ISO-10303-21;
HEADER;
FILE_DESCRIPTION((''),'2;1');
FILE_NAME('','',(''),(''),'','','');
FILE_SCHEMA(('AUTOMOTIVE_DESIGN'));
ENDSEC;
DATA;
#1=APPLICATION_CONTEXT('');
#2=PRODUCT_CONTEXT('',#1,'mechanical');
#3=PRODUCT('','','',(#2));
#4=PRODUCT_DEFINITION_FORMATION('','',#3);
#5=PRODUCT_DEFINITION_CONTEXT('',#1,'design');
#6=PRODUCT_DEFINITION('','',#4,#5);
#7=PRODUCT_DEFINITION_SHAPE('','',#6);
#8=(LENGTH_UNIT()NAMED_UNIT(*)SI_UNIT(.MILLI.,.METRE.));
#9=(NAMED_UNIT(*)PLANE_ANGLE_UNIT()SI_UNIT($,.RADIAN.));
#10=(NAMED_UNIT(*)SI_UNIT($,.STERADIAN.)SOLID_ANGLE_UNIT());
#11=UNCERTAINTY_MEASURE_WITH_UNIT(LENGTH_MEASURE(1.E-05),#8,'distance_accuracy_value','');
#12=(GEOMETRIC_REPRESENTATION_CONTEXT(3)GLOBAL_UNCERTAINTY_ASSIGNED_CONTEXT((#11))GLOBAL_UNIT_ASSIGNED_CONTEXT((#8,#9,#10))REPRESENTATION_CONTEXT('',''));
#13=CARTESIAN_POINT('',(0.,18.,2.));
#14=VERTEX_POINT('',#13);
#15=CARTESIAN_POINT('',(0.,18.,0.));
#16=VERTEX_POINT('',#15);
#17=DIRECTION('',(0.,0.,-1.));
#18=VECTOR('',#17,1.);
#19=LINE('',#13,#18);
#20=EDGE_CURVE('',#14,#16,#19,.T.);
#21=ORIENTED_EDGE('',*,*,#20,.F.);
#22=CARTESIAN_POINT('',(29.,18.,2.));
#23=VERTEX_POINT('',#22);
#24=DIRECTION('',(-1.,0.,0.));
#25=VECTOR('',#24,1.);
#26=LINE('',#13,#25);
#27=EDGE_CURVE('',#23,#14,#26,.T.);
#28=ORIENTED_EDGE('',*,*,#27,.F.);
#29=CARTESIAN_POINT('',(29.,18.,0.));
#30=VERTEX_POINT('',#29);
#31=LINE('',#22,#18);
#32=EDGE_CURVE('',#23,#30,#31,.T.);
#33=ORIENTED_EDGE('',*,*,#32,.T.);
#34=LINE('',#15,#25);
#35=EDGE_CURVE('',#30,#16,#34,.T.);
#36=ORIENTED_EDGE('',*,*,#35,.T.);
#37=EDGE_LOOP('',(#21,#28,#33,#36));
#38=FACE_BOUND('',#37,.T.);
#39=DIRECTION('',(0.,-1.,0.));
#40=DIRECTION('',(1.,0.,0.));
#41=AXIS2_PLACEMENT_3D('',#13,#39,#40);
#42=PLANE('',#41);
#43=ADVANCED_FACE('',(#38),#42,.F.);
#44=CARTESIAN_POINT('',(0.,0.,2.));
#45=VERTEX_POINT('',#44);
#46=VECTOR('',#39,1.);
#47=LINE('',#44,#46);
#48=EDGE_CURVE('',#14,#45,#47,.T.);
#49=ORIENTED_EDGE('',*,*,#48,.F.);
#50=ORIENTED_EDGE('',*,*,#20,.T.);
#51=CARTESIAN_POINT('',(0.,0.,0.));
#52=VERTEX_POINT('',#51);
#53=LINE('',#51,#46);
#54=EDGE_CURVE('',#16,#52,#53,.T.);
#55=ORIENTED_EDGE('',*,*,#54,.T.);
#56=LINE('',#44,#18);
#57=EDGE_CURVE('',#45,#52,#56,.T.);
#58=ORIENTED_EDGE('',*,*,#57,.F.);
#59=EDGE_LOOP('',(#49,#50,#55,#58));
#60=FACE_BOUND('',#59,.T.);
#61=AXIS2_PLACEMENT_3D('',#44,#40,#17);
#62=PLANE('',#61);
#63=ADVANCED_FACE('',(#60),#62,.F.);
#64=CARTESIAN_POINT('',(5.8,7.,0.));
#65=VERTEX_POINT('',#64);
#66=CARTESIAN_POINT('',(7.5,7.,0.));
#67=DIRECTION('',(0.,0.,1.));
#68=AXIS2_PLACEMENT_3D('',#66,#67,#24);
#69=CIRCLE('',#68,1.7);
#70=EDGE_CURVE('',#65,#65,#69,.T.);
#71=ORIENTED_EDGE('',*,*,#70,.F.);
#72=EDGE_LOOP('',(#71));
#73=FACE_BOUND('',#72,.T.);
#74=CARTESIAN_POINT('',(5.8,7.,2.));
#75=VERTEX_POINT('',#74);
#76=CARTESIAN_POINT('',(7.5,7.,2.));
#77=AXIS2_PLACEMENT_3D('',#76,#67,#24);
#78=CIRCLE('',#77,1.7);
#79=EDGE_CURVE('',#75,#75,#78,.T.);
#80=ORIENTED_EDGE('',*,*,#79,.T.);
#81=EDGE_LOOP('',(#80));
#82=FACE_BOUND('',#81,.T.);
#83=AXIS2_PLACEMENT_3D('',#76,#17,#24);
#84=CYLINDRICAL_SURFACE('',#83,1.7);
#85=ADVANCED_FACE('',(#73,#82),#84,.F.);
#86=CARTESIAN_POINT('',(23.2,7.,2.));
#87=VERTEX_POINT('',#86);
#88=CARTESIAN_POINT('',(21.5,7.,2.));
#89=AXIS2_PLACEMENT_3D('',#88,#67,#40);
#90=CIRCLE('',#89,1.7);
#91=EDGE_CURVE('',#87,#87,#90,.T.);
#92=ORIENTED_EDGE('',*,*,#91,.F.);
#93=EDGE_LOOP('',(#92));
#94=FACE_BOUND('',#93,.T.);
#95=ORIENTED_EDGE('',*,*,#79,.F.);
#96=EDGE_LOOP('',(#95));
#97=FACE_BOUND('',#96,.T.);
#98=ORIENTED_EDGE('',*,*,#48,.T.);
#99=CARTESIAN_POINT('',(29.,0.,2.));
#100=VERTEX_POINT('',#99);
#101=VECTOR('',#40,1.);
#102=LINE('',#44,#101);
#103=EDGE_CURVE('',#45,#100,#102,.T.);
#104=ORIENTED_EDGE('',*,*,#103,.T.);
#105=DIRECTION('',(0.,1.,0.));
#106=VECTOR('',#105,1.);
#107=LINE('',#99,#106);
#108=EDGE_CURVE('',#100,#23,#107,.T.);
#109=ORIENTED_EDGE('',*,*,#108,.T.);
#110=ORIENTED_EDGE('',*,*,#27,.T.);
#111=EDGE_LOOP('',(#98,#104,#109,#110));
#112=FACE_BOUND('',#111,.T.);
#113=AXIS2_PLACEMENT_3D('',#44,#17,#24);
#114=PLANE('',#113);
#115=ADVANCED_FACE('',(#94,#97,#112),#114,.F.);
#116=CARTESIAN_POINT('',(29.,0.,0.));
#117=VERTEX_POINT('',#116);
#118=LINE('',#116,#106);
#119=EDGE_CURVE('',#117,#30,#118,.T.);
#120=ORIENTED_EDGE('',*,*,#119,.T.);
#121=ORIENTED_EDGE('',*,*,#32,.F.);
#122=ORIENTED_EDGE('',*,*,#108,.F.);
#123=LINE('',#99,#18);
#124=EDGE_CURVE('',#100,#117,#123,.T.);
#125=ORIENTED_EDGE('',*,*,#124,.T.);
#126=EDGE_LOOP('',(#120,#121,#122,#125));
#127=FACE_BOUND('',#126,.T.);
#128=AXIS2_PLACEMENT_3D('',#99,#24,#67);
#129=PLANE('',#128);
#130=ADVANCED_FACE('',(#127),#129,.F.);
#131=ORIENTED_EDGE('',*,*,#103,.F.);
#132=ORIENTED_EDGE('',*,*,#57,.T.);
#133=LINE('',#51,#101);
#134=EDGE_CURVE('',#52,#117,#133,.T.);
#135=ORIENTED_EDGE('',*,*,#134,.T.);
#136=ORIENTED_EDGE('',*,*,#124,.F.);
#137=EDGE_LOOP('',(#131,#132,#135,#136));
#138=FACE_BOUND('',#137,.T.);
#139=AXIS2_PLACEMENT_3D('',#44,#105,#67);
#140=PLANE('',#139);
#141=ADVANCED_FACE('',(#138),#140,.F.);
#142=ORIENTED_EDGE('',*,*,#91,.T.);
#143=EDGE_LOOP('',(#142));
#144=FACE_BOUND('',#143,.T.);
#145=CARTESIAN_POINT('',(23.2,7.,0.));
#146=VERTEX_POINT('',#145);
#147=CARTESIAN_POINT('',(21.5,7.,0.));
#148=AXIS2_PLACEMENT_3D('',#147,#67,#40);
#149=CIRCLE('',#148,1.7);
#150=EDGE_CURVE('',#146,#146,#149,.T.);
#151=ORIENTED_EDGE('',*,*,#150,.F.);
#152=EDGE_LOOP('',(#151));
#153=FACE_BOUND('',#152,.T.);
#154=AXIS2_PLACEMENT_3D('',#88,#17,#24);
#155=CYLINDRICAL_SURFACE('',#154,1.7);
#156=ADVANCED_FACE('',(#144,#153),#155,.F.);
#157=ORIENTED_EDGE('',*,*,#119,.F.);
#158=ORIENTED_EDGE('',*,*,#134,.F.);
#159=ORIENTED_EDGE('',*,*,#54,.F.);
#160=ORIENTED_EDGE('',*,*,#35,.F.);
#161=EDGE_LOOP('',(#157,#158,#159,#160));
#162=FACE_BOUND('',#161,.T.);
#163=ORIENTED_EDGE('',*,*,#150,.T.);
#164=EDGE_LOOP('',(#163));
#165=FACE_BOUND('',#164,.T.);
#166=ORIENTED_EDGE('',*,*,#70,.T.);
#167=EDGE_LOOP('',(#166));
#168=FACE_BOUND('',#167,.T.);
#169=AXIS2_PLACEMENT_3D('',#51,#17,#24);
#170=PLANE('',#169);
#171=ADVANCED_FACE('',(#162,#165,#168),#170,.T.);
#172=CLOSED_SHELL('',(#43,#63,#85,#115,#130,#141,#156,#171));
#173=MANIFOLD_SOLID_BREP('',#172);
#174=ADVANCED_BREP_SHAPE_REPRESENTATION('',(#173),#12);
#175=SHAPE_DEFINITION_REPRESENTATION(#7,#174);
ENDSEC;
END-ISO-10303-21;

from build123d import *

# Parameters (mm, degrees)
SKETCH_1_W      = 29
SKETCH_1_H      = 18
SKETCH_1_R      = 1.7
EXTRUDE_1_DEPTH = 2


with BuildPart() as part:
    # 草图1 → 凸台-拉伸1 (new body)
    with BuildSketch(Plane.XY):
        with Locations((14.5, 9)):
            Rectangle(SKETCH_1_W, SKETCH_1_H)
        with Locations((21.5, 7)):
            Circle(SKETCH_1_R, mode=Mode.SUBTRACT)
        with Locations(Location((7.5, 7, 0), (0, 0, 180))):
            Circle(SKETCH_1_R, mode=Mode.SUBTRACT)
    extrude(amount=EXTRUDE_1_DEPTH)


solid = part.part
